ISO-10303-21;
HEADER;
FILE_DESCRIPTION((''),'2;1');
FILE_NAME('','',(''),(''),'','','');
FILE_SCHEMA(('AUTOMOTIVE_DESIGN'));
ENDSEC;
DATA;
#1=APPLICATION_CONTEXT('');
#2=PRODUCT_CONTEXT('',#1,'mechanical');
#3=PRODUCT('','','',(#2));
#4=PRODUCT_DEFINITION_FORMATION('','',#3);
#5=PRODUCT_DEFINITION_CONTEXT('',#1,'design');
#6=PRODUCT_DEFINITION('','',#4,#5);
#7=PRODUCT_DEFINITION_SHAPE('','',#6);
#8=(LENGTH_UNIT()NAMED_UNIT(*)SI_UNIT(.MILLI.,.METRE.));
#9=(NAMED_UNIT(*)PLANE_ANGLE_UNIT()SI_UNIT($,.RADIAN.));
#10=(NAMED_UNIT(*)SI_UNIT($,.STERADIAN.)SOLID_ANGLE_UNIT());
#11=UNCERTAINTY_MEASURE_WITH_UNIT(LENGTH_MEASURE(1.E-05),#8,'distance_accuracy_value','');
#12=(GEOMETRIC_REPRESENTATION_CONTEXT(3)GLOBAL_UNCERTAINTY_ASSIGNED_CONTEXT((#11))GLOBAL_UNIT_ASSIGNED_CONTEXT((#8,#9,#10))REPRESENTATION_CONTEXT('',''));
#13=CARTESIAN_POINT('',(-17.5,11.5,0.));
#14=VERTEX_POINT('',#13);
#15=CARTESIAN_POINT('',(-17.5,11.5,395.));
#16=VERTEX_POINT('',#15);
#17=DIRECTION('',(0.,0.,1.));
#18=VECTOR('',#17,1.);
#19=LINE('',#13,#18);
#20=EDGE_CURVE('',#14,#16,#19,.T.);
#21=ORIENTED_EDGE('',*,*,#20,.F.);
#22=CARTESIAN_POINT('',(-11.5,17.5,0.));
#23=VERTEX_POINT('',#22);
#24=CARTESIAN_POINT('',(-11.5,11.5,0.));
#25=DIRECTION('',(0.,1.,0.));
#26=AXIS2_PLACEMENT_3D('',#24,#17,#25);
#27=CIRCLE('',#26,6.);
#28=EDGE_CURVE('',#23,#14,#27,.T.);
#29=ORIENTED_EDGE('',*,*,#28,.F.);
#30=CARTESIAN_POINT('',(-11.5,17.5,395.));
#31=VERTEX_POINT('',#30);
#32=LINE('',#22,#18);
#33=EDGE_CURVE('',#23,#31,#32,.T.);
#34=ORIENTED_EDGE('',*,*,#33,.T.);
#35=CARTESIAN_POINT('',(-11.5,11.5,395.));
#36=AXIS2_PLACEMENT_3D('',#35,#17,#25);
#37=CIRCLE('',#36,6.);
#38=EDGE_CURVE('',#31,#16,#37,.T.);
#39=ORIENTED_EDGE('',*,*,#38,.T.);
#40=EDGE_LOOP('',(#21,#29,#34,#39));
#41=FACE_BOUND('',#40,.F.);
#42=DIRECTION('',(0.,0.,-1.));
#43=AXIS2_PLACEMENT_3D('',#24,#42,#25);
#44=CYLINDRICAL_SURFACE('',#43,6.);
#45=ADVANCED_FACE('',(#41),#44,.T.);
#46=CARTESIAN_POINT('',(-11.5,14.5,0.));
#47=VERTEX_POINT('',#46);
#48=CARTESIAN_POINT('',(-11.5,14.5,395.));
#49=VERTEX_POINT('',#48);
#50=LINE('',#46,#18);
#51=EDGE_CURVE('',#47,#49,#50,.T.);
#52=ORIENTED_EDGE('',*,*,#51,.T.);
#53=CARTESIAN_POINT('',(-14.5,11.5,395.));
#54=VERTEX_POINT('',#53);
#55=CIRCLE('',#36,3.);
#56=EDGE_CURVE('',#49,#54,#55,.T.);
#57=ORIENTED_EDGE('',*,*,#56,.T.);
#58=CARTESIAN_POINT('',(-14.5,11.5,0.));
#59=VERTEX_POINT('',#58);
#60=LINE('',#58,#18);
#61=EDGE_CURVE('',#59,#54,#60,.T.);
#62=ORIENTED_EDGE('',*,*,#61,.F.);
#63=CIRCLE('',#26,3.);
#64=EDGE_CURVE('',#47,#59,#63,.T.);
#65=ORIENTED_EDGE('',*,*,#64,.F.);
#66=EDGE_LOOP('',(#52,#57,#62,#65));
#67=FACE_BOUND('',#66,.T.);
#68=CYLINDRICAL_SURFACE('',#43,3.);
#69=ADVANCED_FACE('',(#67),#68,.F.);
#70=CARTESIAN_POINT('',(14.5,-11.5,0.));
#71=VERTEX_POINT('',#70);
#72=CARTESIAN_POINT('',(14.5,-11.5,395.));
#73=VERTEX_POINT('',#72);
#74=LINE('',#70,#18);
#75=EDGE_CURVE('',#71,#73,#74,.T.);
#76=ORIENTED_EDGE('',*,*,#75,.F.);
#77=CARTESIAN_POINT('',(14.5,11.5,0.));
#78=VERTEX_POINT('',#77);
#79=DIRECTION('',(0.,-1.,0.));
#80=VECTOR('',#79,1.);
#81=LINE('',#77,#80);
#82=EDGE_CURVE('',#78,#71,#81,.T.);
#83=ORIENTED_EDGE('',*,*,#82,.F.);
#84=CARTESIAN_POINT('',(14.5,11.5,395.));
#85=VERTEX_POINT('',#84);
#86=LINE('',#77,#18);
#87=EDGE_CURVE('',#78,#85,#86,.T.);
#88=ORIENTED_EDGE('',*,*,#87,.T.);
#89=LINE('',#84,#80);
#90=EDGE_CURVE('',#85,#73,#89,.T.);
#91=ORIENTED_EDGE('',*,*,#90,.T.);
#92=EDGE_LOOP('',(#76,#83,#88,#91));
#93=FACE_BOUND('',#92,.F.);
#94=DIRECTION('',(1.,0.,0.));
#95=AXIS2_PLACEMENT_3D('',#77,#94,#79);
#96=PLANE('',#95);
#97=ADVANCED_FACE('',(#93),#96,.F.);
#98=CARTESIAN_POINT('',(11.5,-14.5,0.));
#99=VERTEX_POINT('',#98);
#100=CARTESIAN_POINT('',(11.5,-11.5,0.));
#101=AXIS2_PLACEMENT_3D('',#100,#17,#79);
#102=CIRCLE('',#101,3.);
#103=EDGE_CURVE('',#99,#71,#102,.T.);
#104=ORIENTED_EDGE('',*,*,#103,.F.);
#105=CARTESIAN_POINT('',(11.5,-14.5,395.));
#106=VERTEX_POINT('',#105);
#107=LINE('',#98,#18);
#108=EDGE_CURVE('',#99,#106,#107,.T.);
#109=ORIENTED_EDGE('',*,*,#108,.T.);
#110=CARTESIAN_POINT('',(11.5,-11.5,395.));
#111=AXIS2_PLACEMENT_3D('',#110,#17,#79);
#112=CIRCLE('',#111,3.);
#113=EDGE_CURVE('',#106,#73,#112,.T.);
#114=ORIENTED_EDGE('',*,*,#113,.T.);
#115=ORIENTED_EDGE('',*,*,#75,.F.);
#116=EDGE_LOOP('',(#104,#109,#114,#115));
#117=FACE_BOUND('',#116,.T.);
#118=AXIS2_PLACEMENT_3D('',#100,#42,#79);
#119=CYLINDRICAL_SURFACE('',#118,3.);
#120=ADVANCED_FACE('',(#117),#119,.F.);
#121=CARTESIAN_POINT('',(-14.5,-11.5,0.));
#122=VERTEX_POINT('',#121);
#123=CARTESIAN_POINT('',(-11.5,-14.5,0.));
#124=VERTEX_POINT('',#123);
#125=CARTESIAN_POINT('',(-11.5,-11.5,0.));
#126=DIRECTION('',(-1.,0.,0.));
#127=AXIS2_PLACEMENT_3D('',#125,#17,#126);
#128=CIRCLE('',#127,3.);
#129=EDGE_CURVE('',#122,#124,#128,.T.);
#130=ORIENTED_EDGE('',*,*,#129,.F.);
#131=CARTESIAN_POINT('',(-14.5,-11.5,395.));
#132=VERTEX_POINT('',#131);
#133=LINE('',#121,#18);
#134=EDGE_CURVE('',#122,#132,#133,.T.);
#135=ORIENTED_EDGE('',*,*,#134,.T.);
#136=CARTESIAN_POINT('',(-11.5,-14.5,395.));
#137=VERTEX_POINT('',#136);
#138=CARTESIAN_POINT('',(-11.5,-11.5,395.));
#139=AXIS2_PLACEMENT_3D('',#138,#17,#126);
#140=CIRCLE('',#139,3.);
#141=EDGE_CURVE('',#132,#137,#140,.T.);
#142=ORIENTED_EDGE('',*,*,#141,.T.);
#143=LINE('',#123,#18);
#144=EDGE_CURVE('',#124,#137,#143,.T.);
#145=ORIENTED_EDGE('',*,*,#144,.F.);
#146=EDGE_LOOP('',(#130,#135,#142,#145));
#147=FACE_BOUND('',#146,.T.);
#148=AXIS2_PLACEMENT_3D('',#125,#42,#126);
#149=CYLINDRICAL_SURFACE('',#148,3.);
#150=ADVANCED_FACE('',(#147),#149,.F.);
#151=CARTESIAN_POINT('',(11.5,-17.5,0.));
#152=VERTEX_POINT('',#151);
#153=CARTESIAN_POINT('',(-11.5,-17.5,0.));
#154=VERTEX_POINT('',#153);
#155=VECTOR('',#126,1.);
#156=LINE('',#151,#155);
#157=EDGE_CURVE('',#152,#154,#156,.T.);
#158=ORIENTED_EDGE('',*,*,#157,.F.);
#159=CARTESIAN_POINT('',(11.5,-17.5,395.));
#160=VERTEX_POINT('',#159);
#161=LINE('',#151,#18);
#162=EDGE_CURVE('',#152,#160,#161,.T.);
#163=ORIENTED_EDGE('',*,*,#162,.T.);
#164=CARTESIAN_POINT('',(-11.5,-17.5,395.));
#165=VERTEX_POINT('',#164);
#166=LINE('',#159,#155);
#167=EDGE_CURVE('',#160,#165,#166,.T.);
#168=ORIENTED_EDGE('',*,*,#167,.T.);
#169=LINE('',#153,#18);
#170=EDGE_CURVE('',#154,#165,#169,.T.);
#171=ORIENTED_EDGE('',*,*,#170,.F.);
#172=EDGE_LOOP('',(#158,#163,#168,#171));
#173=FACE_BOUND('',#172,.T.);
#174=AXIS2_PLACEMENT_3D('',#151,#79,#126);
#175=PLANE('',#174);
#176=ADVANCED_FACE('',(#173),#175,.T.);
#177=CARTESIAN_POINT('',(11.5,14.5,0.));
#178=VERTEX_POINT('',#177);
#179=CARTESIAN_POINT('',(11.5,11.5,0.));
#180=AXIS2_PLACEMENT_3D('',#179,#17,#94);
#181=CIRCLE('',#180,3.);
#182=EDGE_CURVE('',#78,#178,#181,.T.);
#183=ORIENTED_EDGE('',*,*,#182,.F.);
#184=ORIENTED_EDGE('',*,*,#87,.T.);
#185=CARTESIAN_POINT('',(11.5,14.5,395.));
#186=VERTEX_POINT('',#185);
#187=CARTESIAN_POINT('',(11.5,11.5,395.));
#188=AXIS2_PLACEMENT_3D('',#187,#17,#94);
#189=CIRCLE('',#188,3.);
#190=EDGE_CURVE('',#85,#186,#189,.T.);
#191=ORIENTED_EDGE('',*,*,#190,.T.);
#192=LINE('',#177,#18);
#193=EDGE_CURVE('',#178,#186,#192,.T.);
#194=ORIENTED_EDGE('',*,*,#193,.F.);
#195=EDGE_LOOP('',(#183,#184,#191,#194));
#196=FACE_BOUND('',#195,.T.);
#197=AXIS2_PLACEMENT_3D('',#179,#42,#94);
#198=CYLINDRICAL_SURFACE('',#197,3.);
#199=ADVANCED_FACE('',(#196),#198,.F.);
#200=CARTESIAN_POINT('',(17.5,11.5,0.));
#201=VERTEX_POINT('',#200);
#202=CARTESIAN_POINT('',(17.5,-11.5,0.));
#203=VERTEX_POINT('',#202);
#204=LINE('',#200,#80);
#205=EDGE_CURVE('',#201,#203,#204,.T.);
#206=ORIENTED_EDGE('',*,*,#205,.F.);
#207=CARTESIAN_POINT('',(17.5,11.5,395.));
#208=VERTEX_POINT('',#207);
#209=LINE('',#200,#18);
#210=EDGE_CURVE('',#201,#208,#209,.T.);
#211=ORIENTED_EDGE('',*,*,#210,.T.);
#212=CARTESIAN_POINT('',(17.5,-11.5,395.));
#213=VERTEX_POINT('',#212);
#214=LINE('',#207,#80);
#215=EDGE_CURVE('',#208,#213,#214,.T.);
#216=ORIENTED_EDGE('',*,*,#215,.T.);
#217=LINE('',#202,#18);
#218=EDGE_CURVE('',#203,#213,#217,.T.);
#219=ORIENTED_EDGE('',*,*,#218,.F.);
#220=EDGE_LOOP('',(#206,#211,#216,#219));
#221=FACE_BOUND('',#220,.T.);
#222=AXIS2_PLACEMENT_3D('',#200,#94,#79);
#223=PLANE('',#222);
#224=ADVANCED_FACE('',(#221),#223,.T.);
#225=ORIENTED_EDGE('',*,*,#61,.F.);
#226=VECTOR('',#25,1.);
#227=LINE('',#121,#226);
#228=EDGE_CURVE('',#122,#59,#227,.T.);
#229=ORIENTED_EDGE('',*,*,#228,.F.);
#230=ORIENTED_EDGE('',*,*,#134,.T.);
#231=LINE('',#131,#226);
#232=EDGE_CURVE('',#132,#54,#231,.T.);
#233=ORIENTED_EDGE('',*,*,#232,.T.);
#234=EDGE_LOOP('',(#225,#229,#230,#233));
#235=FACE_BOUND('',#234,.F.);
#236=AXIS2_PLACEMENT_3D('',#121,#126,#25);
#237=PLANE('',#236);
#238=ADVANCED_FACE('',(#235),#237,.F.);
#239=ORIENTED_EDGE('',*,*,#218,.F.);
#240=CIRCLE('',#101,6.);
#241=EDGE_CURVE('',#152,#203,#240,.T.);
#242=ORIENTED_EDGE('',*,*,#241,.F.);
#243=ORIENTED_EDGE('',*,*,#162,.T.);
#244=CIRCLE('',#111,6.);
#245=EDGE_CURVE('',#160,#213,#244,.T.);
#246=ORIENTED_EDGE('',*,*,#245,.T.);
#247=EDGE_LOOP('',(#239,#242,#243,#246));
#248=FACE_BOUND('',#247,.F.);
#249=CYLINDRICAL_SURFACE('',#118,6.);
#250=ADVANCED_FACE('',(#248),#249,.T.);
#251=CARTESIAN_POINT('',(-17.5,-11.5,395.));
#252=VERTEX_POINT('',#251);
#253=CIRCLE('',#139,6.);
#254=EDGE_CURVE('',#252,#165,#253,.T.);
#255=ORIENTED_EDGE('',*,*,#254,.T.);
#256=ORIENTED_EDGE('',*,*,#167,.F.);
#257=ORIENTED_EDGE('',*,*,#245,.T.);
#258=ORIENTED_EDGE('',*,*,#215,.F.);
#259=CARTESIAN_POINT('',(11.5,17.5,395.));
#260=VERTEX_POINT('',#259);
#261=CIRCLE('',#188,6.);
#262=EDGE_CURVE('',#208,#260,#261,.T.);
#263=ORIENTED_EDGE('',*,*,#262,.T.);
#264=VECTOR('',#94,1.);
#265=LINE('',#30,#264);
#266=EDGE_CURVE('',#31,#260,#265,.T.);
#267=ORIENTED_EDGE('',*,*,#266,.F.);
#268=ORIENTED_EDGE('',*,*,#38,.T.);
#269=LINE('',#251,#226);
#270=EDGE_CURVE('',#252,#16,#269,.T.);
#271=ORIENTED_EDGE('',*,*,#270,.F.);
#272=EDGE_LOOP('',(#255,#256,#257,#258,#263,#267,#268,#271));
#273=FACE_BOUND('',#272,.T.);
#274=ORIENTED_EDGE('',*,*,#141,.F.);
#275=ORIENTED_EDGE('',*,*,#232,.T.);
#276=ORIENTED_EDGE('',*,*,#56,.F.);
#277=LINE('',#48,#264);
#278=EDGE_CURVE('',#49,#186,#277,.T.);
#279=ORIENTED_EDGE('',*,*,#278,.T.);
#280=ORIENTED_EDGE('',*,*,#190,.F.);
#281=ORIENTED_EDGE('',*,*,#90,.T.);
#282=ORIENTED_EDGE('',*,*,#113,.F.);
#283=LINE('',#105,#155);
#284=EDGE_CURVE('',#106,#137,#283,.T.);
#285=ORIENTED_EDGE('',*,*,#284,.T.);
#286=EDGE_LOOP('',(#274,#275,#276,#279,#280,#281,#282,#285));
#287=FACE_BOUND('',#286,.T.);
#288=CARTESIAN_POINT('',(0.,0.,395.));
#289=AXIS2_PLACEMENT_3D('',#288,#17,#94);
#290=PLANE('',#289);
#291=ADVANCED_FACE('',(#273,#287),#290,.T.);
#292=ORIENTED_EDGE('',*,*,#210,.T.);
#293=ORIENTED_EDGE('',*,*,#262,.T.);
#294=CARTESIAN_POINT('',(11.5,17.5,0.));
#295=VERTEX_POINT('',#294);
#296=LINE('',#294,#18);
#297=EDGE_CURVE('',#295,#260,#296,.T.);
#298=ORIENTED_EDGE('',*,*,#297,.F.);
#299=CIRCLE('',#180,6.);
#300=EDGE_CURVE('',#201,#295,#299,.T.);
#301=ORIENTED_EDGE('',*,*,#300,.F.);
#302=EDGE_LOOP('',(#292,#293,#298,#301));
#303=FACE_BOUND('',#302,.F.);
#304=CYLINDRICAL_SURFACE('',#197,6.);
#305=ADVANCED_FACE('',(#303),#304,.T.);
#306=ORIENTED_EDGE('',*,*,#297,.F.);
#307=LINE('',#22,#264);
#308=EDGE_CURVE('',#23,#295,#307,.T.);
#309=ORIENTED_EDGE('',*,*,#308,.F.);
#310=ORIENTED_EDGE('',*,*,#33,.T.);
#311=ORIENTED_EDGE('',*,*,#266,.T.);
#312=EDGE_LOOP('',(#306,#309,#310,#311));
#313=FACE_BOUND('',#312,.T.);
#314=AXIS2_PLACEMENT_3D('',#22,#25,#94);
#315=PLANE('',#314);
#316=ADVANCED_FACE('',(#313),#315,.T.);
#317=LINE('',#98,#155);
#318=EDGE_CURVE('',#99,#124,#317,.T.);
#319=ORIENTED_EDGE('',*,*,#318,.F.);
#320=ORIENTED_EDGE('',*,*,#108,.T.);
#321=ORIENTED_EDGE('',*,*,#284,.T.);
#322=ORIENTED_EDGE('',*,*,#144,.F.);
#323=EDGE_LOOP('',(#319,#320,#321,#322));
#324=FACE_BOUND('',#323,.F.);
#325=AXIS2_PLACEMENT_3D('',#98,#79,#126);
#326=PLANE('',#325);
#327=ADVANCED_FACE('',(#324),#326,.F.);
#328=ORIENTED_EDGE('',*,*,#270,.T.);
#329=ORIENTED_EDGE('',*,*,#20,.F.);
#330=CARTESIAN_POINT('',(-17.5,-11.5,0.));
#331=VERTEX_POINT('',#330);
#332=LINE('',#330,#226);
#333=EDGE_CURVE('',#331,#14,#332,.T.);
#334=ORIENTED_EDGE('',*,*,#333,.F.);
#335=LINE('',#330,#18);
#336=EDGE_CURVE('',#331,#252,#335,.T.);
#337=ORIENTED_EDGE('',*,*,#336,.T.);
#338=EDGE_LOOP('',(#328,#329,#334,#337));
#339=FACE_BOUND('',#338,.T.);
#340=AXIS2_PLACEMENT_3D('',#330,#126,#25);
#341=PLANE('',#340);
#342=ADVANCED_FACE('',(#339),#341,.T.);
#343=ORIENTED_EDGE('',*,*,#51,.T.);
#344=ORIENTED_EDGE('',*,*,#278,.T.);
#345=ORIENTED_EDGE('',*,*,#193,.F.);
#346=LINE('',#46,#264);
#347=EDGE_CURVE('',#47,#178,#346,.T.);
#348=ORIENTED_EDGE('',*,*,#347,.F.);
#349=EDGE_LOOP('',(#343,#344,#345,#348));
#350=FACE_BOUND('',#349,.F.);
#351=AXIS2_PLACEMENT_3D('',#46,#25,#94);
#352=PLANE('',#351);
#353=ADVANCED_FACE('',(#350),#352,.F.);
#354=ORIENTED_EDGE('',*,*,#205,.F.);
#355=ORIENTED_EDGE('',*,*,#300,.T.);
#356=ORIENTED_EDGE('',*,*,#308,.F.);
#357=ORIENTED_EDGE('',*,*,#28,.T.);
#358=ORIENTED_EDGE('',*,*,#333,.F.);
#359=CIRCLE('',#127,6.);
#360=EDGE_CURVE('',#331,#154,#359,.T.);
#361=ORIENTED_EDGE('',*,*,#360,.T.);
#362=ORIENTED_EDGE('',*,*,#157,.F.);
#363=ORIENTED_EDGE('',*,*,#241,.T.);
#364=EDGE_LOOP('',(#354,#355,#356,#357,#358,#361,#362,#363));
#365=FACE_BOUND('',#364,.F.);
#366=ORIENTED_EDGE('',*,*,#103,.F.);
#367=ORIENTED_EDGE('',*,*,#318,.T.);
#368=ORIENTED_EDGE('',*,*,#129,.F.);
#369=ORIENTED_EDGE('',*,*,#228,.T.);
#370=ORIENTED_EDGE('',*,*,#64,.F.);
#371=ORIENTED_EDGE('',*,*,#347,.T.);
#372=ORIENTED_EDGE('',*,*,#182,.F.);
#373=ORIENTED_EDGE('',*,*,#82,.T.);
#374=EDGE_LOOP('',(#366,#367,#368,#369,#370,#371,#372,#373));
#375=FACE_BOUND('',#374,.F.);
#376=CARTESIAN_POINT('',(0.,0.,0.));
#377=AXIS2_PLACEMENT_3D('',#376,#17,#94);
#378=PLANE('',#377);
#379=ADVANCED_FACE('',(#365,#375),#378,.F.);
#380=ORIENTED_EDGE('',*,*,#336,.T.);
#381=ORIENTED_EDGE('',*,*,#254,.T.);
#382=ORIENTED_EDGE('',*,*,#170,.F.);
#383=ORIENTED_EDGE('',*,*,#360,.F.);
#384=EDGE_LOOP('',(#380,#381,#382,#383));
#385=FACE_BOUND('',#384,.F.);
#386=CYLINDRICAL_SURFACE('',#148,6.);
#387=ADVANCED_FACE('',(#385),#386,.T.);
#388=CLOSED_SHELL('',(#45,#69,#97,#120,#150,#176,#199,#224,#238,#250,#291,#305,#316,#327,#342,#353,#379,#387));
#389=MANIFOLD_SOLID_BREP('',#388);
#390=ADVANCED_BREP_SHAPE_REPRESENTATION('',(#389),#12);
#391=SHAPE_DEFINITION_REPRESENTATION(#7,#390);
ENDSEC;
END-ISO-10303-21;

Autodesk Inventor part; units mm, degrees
ref_plane "YZ Plane" through (0, 0, 0) normal (1, 0, 0) x (0, 1, 0)
ref_plane "Start plane" through (0, 0, 0) normal (0, 0, 1) x (1, 0, 0)
ref_plane "End plane" through (0, 0, 395) normal (0, 0, 1) x (1, 0, 0)
sketch "Sketch" plane through (0, 0, 0) normal (0, 0, 1) x (1, 0, 0)
  line L0 (-17.5, -11.5) -> (-17.5, 11.5)
  line L1 (-11.5, 17.5) -> (11.5, 17.5)
  line L2 (17.5, 11.5) -> (17.5, -11.5)
  line L3 (11.5, -17.5) -> (-11.5, -17.5)
  arc A0 (-17.5, -11.5) -> (-11.5, -17.5) centre (-11.5, -11.5) ccw
  arc A1 (-11.5, 17.5) -> (-17.5, 11.5) centre (-11.5, 11.5) ccw
  arc A2 (17.5, 11.5) -> (11.5, 17.5) centre (11.5, 11.5) ccw
  arc A3 (11.5, -17.5) -> (17.5, -11.5) centre (11.5, -11.5) ccw
  arc A4 (-11.5, 14.5) -> (-14.5, 11.5) centre (-11.5, 11.5) ccw
  line L4 (-11.5, 14.5) -> (11.5, 14.5)
  arc A5 (14.5, 11.5) -> (11.5, 14.5) centre (11.5, 11.5) ccw
  line L5 (14.5, 11.5) -> (14.5, -11.5)
  arc A6 (11.5, -14.5) -> (14.5, -11.5) centre (11.5, -11.5) ccw
  line L6 (11.5, -14.5) -> (-11.5, -14.5)
  arc A7 (-14.5, -11.5) -> (-11.5, -14.5) centre (-11.5, -11.5) ccw
  line L7 (-14.5, -11.5) -> (-14.5, 11.5)
  line L8 (0, 25.6598) -> (0, -25.6598) construction
  line L9 (-25.6598, 0) -> (25.6598, 0) construction
  dimension "d7" = 6
  dimension "d10" = 35
  dimension "d11" = 35
  dimension "d12" = 3
  dimension "d15" = 17.5
  dimension "d16" = 17.5
extrude "Body" add sketch "Sketch" along normal up to surface (395 mm away) from surface at 0
sketch "Sketch3" plane through (0, 0, 0) normal (0, 0, 1) x (1, 0, 0)
  line L0 (0, 0) -> (10, 0)
ref_plane "Work Plane3" through (0, 0, 0) normal (0, -1, 0) x (1, 0, 0)
sketch "Sketch4" plane through (0, 0, 0) normal (0, -1, 0) x (1, 0, 0)
  line L0 (-2, 0) -> (12, 0)
  line L1 (-2, 395) -> (12, 395)
  dimension "d18" = 395
equation "\"d7\" = G_IR"
equation "\"d10\" = G_H"
equation "\"d11\" = G_W"
equation "\"d12\" = G_T"
equation "\"d15\" = 0.5 * d10"
equation "\"d16\" = 0.5 * d11"
equation "\"d3\" = G_L"
equation "\"G_W\" = 35"
equation "\"G_H\" = 35"
equation "\"G_T\" = 3"
equation "\"G_IR\" = 6"
equation "\"G_L\" = d18"
equation "\"G_OFFSET_START\" = 0"
equation "\"G_OFFSET_END\" = 0"
equation "\"d14\" = G_OFFSET_END + B_L"
equation "\"B_L\" = 395"
properties part number "AS 1163 - C350L0 35x35x3.0 SHS - 395" material "Steel, Mild"
